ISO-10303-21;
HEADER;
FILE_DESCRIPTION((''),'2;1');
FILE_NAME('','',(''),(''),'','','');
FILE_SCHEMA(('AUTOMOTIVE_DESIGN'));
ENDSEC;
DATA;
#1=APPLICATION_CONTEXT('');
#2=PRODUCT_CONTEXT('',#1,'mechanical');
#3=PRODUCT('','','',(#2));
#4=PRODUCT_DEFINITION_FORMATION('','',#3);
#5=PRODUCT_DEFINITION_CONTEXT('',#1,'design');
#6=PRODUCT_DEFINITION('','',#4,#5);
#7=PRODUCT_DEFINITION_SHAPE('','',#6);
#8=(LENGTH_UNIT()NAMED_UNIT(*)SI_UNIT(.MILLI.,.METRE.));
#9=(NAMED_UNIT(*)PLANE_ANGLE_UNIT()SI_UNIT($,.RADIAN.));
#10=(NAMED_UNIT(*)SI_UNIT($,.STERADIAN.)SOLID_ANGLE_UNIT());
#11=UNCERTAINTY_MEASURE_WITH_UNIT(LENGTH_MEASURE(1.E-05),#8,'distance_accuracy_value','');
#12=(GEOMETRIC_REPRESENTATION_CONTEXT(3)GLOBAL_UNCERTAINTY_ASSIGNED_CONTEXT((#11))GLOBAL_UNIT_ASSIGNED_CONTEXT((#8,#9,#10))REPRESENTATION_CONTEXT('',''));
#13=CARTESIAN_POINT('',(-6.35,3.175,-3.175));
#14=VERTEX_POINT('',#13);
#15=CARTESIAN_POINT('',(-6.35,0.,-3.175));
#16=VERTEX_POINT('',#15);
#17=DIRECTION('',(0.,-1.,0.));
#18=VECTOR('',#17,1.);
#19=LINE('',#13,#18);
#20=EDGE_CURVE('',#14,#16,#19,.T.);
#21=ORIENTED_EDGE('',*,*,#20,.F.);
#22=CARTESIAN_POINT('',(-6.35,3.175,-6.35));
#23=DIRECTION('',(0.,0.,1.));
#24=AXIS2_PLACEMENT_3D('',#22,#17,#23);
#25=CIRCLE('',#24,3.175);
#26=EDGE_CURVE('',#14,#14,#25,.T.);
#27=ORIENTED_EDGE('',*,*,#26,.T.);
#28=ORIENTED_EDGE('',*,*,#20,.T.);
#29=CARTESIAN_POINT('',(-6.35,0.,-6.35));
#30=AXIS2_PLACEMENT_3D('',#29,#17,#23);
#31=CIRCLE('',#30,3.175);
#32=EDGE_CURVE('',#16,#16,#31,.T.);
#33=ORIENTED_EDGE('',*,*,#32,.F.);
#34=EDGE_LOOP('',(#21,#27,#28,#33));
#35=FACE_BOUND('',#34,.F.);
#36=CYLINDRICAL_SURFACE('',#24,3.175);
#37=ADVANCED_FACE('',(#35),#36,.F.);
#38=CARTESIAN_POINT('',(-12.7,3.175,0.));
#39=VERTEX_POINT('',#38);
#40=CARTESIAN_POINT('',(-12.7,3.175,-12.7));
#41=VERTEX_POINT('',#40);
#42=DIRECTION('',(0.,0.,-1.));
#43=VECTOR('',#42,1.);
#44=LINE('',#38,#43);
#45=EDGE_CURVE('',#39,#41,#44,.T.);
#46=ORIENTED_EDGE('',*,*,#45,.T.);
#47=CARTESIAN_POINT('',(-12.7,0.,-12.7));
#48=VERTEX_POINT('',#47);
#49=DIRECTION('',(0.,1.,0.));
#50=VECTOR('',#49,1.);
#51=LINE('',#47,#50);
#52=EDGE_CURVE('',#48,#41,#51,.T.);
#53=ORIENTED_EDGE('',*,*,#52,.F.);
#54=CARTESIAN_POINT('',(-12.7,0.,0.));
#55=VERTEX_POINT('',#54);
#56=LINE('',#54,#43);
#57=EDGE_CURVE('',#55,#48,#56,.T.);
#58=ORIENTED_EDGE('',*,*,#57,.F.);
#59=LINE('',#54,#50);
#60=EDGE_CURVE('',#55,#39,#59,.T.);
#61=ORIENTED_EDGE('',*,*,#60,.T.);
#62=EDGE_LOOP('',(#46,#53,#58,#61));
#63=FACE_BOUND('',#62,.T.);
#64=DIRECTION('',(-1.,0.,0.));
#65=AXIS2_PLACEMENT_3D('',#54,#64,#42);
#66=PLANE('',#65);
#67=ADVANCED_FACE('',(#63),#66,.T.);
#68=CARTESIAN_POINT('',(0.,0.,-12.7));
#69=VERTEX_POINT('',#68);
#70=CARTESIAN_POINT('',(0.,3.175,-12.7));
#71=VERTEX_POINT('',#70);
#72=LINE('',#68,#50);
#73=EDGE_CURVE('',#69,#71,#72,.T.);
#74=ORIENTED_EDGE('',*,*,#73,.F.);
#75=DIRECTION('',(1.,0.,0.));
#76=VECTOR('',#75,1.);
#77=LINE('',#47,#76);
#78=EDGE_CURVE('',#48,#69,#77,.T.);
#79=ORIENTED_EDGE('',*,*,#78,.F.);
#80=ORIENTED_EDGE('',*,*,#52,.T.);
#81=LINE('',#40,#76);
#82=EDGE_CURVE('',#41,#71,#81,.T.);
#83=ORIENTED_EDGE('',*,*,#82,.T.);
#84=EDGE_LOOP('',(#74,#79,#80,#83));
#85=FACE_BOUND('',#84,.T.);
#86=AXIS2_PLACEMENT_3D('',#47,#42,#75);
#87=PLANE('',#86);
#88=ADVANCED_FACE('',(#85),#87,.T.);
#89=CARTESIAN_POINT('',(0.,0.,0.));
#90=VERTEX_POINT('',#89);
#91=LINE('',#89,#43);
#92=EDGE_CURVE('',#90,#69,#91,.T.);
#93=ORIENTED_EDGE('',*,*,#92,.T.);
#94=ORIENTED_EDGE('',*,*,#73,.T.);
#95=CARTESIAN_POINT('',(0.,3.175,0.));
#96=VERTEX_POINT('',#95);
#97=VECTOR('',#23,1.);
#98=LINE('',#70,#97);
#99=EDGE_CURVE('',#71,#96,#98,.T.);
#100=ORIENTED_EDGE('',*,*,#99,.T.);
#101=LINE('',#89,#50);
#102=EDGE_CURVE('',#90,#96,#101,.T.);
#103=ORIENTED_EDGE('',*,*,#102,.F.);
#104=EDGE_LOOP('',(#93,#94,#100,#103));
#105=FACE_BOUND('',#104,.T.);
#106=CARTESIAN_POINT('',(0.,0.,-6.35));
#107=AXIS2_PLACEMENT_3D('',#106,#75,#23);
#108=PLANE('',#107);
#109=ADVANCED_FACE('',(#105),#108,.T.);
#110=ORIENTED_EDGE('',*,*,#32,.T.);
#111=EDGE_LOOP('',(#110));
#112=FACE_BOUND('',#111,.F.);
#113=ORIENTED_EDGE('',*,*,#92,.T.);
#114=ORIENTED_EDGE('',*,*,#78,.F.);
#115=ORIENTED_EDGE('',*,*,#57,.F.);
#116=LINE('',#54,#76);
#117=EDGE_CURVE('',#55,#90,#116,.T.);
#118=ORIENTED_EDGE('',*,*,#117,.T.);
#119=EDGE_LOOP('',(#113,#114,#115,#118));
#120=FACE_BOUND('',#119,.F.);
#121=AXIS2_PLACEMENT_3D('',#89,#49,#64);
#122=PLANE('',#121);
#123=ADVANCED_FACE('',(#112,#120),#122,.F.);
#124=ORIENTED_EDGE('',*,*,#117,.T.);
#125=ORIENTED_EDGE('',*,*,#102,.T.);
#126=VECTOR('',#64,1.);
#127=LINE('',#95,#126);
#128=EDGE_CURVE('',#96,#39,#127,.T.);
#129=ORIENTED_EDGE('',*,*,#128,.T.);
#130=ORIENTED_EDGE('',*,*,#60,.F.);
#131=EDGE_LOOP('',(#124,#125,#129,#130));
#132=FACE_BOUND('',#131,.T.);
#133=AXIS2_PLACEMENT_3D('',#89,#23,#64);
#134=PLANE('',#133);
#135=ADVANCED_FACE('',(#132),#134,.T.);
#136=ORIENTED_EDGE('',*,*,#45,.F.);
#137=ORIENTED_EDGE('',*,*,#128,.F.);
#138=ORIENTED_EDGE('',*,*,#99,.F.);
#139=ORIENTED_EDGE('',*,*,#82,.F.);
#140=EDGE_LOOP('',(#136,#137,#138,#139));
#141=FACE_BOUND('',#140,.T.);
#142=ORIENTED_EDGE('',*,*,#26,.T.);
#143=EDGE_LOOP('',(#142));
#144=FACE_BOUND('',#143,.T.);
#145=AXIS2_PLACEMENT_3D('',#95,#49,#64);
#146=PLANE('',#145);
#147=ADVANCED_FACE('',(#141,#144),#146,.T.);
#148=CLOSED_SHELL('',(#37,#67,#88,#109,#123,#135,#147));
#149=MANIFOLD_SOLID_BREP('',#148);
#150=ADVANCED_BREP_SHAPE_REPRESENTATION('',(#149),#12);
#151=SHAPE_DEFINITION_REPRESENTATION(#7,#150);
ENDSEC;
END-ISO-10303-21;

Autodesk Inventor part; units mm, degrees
ref_plane "YZ Plane" through (0, 0, 0) normal (1, 0, 0) x (0, 1, 0)
ref_plane "XZ Plane" through (0, 0, 0) normal (0, 1, 0) x (-1, 0, 0)
ref_plane "XY Plane" through (0, 0, 0) normal (0, 0, 1) x (1, 0, 0)
sketch "Sketch1" plane through (0, 0, 0) normal (0, 1, 0) x (-1, 0, 0)
  line L0 (0, 0) -> (12.7, 0)
  line L1 (12.7, 0) -> (12.7, -12.7)
  line L2 (12.7, -12.7) -> (0, -12.7)
  line L3 (0, -12.7) -> (0, 0)
  line L4 (0, 0) -> (6.35, 0)
  line L5 (0, -6.35) -> (0, 0)
  point P0 (6.35, -6.35)
  dimension "d0" = 12.7
  dimension "d1" = 12.7
extrude "Extrusion1" add sketch "Sketch1" along normal blind 3.175
sketch "Sketch2" plane through (0, 3.175, 0) normal (0, 1, 0) x (1, 0, 0)
  line L0 (0, 0) -> (-6.35, 0)
  line L1 (-6.35, 0) -> (-6.35, 6.35)
  line L2 (-6.35, 6.35) -> (0, 6.35)
  line L3 (0, 6.35) -> (0, 0)
  dimension "d4" = 6.35
  dimension "d5" = 6.35
hole "Hole1" at (-6.35, 3.175, -6.35) direction (0, -1, 0) diameter 6.35 end through all
thread "Thread1" size "M6x1" class "6H" standard "ISO Metric profile" length 6.35
equation "\"d1\" = d0"
properties part number "Connector1"
